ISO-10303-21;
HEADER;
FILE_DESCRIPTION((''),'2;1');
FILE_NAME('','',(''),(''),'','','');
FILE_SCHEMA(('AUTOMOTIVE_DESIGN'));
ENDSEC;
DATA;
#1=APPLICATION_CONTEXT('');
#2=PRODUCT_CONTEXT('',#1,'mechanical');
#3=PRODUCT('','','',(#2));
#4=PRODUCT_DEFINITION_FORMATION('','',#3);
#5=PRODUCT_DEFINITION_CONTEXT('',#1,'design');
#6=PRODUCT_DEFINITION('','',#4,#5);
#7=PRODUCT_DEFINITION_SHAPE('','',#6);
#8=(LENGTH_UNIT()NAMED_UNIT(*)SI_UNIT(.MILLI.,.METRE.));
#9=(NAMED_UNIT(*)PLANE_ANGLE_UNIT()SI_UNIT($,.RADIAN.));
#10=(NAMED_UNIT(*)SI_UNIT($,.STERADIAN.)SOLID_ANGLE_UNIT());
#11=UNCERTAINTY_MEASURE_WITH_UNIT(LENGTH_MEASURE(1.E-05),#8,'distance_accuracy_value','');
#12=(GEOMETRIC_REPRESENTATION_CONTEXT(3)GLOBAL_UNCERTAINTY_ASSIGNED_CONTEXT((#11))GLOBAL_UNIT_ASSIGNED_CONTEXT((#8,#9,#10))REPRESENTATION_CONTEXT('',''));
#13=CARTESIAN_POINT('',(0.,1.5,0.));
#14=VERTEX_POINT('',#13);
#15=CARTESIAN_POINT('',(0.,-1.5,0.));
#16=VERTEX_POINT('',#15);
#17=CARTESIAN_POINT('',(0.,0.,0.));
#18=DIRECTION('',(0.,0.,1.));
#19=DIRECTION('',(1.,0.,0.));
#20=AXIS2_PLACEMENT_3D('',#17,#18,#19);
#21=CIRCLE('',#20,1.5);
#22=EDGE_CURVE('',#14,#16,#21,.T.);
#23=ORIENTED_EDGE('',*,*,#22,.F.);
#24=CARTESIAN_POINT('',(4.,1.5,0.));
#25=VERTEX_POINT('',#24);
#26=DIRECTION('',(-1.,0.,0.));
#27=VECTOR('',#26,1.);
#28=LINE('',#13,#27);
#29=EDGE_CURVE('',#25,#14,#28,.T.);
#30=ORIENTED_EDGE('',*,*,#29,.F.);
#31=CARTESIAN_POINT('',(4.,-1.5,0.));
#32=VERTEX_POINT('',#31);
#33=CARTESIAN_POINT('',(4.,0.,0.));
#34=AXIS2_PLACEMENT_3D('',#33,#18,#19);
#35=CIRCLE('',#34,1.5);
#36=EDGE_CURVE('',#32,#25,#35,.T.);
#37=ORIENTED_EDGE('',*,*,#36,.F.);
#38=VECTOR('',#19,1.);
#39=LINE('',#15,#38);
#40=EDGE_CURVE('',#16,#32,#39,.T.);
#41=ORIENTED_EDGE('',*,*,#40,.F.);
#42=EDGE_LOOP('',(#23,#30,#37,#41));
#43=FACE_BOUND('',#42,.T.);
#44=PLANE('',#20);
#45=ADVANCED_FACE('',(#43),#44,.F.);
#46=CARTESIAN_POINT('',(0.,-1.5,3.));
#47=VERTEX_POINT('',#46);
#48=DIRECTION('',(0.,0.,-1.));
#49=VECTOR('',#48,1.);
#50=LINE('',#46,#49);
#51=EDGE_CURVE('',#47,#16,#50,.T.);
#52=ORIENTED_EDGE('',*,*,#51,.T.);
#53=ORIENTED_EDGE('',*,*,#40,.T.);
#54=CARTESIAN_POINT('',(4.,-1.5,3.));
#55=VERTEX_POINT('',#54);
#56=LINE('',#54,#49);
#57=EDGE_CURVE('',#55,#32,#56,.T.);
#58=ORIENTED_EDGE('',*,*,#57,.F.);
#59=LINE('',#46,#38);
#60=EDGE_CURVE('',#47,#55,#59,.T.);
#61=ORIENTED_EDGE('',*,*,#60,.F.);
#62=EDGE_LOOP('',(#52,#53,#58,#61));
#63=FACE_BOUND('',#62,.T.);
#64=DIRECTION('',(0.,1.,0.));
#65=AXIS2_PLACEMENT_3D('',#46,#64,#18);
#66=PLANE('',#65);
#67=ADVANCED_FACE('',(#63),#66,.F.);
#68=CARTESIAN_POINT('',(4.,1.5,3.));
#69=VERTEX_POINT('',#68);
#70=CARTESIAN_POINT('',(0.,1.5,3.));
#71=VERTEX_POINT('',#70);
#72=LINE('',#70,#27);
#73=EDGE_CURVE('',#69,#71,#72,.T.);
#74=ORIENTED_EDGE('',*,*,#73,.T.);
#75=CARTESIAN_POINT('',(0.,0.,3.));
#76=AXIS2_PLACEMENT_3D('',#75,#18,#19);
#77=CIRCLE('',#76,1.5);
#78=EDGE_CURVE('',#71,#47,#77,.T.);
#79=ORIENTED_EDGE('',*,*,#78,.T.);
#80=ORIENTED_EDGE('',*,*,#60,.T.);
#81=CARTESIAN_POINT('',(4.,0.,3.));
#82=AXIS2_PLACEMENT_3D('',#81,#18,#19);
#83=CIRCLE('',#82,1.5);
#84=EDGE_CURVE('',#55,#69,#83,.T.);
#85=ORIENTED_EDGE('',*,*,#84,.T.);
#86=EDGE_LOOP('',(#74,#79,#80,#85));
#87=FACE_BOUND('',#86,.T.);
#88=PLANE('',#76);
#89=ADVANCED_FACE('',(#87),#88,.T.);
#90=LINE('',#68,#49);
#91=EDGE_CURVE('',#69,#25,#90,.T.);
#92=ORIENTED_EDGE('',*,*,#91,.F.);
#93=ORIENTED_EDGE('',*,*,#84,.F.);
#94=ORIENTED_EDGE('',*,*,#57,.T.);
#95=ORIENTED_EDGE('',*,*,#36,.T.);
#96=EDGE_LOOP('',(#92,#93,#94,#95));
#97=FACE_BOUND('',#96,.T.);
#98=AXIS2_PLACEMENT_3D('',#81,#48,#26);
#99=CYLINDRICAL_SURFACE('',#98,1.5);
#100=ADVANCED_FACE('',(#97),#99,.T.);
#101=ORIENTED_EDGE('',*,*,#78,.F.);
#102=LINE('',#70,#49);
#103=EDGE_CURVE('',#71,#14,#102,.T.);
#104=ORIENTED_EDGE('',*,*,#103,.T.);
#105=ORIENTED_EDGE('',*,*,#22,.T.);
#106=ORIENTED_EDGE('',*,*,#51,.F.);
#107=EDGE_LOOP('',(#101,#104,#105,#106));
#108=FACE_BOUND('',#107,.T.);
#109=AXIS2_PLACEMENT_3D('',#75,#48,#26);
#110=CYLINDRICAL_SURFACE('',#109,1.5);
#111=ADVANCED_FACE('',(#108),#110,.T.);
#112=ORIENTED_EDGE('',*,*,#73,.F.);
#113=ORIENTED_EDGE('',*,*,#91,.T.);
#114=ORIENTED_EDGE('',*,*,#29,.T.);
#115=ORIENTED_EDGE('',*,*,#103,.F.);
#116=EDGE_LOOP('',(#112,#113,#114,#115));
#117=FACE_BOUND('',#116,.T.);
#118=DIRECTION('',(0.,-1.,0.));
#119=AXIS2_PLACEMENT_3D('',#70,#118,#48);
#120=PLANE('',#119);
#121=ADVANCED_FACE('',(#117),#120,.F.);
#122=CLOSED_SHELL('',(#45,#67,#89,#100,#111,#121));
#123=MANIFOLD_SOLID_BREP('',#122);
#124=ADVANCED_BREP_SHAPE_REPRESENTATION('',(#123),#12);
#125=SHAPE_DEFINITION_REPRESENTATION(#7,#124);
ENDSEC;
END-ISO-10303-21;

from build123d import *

# Parameters (mm, degrees)
BOSS_EXTRUDE1_DEPTH = 3


with BuildPart() as part:
    # Sketch1 → Boss-Extrude1 (new body)
    with BuildSketch(Plane.XY):
        with BuildLine():
            Line((0, 1.5), (4, 1.5))
            ThreePointArc((4, 1.5), (5.5, 0), (4, -1.5))
            Line((4, -1.5), (0, -1.5))
            ThreePointArc((0, -1.5), (-1.5, 0), (0, 1.5))
        make_face()
    extrude(amount=BOSS_EXTRUDE1_DEPTH)


solid = part.part
